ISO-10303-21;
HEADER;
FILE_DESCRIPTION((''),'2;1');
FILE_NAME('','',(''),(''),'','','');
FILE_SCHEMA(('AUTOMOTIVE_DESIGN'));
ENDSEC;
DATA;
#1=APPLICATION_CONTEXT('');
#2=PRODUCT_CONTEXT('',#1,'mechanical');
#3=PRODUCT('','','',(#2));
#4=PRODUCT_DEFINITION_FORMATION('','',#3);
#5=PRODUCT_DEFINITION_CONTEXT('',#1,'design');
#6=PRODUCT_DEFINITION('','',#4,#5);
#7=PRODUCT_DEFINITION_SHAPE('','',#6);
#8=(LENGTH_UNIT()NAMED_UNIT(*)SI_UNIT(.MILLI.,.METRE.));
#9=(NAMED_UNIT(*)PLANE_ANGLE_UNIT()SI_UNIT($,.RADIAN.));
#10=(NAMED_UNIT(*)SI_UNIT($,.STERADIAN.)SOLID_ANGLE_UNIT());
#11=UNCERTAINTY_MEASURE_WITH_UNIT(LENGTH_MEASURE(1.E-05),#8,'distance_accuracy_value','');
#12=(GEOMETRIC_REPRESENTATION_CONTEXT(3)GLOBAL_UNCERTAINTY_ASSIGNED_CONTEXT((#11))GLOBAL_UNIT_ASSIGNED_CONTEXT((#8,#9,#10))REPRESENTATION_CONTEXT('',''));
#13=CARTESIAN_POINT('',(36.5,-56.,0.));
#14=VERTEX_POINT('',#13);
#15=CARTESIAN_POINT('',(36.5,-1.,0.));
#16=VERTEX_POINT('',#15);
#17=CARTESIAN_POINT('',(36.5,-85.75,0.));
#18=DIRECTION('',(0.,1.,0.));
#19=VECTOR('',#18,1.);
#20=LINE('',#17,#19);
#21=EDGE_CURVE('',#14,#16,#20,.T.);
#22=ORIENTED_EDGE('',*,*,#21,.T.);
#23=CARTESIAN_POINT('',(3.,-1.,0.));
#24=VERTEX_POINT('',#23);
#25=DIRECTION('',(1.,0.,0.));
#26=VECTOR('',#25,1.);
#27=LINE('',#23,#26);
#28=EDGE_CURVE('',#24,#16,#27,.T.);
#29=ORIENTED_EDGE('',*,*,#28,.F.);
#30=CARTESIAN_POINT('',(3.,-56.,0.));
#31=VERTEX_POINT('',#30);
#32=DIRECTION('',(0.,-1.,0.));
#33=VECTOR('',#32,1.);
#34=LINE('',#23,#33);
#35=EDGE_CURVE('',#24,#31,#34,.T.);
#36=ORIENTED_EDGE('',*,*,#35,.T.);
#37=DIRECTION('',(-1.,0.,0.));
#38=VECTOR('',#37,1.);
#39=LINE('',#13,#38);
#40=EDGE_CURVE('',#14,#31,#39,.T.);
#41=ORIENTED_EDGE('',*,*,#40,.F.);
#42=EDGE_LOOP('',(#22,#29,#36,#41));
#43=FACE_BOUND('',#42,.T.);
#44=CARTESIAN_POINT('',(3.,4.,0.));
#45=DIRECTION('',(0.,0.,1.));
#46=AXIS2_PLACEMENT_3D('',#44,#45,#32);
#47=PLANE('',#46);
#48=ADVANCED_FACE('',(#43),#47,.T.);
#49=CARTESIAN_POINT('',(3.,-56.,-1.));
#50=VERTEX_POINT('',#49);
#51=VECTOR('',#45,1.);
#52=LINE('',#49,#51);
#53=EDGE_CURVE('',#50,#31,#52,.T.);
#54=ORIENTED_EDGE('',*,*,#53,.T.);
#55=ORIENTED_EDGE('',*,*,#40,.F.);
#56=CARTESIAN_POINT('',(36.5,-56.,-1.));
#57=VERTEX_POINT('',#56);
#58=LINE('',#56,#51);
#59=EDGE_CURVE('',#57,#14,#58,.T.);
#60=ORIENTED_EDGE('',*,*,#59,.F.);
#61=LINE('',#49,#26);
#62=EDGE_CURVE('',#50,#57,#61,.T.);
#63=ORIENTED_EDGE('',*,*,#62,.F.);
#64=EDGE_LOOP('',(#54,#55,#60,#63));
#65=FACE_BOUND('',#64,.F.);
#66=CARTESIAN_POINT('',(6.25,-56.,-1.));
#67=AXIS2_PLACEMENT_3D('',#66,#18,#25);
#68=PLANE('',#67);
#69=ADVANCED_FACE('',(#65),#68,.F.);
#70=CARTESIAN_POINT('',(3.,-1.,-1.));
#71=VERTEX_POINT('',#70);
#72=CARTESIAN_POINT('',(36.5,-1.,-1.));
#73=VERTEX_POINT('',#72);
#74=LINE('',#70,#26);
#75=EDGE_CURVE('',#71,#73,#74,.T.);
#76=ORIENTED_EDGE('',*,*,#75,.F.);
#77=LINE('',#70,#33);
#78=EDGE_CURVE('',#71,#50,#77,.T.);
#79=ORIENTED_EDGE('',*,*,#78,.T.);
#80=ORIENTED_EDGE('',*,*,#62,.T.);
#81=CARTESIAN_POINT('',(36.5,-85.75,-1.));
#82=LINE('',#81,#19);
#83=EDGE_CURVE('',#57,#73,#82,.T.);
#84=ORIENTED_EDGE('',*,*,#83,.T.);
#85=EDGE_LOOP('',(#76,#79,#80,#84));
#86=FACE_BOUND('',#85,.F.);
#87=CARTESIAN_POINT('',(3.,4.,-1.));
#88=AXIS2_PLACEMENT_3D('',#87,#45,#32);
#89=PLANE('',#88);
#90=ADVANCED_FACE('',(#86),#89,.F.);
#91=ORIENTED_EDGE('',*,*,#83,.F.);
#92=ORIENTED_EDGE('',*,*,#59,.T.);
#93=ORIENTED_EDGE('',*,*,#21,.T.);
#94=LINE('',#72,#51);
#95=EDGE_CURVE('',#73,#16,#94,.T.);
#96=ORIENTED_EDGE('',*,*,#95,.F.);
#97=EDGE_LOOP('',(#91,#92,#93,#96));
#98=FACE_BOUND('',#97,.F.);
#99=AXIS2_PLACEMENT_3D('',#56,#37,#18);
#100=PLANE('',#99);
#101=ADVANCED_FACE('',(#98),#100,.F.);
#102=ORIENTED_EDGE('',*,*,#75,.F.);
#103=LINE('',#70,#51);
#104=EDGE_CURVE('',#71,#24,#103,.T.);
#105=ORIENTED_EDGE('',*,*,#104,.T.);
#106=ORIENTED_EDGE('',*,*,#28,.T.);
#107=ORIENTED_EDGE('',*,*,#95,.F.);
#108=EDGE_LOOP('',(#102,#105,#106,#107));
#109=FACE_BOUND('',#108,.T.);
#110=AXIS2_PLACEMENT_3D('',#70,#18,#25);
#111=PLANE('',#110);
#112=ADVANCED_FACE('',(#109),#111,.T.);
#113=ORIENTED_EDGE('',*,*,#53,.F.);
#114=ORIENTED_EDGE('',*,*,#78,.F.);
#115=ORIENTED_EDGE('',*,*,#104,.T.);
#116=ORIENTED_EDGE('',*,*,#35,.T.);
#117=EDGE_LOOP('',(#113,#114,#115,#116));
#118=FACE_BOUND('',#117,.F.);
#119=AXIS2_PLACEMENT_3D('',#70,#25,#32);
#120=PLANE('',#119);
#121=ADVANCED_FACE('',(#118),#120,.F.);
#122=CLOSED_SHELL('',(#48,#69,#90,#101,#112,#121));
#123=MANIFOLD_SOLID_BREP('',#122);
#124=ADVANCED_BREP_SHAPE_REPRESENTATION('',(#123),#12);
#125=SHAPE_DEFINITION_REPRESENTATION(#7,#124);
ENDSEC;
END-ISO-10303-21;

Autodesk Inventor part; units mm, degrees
ref_plane "YZ Plane" through (0, 0, 0) normal (1, 0, 0) x (0, 1, 0)
ref_plane "XZ Plane" through (0, 0, 0) normal (0, 1, 0) x (-1, 0, 0)
ref_plane "XY Plane" through (0, 0, 0) normal (0, 0, 1) x (1, 0, 0)
ref_plane "Work Plane1" through (3, 4, -1) normal (0, 0, 1) x (0, -1, 0)
sketch "Sketch1" plane through (3, 4, -1) normal (0, 0, 1) x (0, -1, 0)
  line L0 (89.75, 33.5) -> (5, 33.5) projected
  line L1 (5, 0) -> (5, 33.5) projected
  line L2 (5, 0) -> (89.75, 0) projected
  line L3 (89.75, 0) -> (89.75, 33.5) projected
  line L4 (5, 0) -> (60, 0) projected
  line L5 (5, -3) -> (5, 0) projected
  line L6 (4, -3) -> (60, -3) projected
  line L7 (60, 3.25) -> (60, 0) projected
  line L8 (60, -3) -> (60, 0) projected
  arc A0 (60, 3.25) -> (63.25, 0) centre (63.25, 3.25) ccw projected
  line L9 (60, 0) -> (63.25, 0) projected
  circle A1 centre (75.375, 15.375) radius 6.75 projected
  line L10 (60, 0) -> (60, 33.5)
  circle A2 centre (32.5, 10.5) radius 5.5 projected
  point P0 (52, 0)
  point P1 (64.076, 0)
  point P2 (87.674, 0)
  point P3 (60, 3.25)
extrude "Extrusion1" add sketch "Sketch1" along normal blind 1 contours L10 L7 L2 L1 L0 | A2
properties part number "right_metal_gear_bracker"
